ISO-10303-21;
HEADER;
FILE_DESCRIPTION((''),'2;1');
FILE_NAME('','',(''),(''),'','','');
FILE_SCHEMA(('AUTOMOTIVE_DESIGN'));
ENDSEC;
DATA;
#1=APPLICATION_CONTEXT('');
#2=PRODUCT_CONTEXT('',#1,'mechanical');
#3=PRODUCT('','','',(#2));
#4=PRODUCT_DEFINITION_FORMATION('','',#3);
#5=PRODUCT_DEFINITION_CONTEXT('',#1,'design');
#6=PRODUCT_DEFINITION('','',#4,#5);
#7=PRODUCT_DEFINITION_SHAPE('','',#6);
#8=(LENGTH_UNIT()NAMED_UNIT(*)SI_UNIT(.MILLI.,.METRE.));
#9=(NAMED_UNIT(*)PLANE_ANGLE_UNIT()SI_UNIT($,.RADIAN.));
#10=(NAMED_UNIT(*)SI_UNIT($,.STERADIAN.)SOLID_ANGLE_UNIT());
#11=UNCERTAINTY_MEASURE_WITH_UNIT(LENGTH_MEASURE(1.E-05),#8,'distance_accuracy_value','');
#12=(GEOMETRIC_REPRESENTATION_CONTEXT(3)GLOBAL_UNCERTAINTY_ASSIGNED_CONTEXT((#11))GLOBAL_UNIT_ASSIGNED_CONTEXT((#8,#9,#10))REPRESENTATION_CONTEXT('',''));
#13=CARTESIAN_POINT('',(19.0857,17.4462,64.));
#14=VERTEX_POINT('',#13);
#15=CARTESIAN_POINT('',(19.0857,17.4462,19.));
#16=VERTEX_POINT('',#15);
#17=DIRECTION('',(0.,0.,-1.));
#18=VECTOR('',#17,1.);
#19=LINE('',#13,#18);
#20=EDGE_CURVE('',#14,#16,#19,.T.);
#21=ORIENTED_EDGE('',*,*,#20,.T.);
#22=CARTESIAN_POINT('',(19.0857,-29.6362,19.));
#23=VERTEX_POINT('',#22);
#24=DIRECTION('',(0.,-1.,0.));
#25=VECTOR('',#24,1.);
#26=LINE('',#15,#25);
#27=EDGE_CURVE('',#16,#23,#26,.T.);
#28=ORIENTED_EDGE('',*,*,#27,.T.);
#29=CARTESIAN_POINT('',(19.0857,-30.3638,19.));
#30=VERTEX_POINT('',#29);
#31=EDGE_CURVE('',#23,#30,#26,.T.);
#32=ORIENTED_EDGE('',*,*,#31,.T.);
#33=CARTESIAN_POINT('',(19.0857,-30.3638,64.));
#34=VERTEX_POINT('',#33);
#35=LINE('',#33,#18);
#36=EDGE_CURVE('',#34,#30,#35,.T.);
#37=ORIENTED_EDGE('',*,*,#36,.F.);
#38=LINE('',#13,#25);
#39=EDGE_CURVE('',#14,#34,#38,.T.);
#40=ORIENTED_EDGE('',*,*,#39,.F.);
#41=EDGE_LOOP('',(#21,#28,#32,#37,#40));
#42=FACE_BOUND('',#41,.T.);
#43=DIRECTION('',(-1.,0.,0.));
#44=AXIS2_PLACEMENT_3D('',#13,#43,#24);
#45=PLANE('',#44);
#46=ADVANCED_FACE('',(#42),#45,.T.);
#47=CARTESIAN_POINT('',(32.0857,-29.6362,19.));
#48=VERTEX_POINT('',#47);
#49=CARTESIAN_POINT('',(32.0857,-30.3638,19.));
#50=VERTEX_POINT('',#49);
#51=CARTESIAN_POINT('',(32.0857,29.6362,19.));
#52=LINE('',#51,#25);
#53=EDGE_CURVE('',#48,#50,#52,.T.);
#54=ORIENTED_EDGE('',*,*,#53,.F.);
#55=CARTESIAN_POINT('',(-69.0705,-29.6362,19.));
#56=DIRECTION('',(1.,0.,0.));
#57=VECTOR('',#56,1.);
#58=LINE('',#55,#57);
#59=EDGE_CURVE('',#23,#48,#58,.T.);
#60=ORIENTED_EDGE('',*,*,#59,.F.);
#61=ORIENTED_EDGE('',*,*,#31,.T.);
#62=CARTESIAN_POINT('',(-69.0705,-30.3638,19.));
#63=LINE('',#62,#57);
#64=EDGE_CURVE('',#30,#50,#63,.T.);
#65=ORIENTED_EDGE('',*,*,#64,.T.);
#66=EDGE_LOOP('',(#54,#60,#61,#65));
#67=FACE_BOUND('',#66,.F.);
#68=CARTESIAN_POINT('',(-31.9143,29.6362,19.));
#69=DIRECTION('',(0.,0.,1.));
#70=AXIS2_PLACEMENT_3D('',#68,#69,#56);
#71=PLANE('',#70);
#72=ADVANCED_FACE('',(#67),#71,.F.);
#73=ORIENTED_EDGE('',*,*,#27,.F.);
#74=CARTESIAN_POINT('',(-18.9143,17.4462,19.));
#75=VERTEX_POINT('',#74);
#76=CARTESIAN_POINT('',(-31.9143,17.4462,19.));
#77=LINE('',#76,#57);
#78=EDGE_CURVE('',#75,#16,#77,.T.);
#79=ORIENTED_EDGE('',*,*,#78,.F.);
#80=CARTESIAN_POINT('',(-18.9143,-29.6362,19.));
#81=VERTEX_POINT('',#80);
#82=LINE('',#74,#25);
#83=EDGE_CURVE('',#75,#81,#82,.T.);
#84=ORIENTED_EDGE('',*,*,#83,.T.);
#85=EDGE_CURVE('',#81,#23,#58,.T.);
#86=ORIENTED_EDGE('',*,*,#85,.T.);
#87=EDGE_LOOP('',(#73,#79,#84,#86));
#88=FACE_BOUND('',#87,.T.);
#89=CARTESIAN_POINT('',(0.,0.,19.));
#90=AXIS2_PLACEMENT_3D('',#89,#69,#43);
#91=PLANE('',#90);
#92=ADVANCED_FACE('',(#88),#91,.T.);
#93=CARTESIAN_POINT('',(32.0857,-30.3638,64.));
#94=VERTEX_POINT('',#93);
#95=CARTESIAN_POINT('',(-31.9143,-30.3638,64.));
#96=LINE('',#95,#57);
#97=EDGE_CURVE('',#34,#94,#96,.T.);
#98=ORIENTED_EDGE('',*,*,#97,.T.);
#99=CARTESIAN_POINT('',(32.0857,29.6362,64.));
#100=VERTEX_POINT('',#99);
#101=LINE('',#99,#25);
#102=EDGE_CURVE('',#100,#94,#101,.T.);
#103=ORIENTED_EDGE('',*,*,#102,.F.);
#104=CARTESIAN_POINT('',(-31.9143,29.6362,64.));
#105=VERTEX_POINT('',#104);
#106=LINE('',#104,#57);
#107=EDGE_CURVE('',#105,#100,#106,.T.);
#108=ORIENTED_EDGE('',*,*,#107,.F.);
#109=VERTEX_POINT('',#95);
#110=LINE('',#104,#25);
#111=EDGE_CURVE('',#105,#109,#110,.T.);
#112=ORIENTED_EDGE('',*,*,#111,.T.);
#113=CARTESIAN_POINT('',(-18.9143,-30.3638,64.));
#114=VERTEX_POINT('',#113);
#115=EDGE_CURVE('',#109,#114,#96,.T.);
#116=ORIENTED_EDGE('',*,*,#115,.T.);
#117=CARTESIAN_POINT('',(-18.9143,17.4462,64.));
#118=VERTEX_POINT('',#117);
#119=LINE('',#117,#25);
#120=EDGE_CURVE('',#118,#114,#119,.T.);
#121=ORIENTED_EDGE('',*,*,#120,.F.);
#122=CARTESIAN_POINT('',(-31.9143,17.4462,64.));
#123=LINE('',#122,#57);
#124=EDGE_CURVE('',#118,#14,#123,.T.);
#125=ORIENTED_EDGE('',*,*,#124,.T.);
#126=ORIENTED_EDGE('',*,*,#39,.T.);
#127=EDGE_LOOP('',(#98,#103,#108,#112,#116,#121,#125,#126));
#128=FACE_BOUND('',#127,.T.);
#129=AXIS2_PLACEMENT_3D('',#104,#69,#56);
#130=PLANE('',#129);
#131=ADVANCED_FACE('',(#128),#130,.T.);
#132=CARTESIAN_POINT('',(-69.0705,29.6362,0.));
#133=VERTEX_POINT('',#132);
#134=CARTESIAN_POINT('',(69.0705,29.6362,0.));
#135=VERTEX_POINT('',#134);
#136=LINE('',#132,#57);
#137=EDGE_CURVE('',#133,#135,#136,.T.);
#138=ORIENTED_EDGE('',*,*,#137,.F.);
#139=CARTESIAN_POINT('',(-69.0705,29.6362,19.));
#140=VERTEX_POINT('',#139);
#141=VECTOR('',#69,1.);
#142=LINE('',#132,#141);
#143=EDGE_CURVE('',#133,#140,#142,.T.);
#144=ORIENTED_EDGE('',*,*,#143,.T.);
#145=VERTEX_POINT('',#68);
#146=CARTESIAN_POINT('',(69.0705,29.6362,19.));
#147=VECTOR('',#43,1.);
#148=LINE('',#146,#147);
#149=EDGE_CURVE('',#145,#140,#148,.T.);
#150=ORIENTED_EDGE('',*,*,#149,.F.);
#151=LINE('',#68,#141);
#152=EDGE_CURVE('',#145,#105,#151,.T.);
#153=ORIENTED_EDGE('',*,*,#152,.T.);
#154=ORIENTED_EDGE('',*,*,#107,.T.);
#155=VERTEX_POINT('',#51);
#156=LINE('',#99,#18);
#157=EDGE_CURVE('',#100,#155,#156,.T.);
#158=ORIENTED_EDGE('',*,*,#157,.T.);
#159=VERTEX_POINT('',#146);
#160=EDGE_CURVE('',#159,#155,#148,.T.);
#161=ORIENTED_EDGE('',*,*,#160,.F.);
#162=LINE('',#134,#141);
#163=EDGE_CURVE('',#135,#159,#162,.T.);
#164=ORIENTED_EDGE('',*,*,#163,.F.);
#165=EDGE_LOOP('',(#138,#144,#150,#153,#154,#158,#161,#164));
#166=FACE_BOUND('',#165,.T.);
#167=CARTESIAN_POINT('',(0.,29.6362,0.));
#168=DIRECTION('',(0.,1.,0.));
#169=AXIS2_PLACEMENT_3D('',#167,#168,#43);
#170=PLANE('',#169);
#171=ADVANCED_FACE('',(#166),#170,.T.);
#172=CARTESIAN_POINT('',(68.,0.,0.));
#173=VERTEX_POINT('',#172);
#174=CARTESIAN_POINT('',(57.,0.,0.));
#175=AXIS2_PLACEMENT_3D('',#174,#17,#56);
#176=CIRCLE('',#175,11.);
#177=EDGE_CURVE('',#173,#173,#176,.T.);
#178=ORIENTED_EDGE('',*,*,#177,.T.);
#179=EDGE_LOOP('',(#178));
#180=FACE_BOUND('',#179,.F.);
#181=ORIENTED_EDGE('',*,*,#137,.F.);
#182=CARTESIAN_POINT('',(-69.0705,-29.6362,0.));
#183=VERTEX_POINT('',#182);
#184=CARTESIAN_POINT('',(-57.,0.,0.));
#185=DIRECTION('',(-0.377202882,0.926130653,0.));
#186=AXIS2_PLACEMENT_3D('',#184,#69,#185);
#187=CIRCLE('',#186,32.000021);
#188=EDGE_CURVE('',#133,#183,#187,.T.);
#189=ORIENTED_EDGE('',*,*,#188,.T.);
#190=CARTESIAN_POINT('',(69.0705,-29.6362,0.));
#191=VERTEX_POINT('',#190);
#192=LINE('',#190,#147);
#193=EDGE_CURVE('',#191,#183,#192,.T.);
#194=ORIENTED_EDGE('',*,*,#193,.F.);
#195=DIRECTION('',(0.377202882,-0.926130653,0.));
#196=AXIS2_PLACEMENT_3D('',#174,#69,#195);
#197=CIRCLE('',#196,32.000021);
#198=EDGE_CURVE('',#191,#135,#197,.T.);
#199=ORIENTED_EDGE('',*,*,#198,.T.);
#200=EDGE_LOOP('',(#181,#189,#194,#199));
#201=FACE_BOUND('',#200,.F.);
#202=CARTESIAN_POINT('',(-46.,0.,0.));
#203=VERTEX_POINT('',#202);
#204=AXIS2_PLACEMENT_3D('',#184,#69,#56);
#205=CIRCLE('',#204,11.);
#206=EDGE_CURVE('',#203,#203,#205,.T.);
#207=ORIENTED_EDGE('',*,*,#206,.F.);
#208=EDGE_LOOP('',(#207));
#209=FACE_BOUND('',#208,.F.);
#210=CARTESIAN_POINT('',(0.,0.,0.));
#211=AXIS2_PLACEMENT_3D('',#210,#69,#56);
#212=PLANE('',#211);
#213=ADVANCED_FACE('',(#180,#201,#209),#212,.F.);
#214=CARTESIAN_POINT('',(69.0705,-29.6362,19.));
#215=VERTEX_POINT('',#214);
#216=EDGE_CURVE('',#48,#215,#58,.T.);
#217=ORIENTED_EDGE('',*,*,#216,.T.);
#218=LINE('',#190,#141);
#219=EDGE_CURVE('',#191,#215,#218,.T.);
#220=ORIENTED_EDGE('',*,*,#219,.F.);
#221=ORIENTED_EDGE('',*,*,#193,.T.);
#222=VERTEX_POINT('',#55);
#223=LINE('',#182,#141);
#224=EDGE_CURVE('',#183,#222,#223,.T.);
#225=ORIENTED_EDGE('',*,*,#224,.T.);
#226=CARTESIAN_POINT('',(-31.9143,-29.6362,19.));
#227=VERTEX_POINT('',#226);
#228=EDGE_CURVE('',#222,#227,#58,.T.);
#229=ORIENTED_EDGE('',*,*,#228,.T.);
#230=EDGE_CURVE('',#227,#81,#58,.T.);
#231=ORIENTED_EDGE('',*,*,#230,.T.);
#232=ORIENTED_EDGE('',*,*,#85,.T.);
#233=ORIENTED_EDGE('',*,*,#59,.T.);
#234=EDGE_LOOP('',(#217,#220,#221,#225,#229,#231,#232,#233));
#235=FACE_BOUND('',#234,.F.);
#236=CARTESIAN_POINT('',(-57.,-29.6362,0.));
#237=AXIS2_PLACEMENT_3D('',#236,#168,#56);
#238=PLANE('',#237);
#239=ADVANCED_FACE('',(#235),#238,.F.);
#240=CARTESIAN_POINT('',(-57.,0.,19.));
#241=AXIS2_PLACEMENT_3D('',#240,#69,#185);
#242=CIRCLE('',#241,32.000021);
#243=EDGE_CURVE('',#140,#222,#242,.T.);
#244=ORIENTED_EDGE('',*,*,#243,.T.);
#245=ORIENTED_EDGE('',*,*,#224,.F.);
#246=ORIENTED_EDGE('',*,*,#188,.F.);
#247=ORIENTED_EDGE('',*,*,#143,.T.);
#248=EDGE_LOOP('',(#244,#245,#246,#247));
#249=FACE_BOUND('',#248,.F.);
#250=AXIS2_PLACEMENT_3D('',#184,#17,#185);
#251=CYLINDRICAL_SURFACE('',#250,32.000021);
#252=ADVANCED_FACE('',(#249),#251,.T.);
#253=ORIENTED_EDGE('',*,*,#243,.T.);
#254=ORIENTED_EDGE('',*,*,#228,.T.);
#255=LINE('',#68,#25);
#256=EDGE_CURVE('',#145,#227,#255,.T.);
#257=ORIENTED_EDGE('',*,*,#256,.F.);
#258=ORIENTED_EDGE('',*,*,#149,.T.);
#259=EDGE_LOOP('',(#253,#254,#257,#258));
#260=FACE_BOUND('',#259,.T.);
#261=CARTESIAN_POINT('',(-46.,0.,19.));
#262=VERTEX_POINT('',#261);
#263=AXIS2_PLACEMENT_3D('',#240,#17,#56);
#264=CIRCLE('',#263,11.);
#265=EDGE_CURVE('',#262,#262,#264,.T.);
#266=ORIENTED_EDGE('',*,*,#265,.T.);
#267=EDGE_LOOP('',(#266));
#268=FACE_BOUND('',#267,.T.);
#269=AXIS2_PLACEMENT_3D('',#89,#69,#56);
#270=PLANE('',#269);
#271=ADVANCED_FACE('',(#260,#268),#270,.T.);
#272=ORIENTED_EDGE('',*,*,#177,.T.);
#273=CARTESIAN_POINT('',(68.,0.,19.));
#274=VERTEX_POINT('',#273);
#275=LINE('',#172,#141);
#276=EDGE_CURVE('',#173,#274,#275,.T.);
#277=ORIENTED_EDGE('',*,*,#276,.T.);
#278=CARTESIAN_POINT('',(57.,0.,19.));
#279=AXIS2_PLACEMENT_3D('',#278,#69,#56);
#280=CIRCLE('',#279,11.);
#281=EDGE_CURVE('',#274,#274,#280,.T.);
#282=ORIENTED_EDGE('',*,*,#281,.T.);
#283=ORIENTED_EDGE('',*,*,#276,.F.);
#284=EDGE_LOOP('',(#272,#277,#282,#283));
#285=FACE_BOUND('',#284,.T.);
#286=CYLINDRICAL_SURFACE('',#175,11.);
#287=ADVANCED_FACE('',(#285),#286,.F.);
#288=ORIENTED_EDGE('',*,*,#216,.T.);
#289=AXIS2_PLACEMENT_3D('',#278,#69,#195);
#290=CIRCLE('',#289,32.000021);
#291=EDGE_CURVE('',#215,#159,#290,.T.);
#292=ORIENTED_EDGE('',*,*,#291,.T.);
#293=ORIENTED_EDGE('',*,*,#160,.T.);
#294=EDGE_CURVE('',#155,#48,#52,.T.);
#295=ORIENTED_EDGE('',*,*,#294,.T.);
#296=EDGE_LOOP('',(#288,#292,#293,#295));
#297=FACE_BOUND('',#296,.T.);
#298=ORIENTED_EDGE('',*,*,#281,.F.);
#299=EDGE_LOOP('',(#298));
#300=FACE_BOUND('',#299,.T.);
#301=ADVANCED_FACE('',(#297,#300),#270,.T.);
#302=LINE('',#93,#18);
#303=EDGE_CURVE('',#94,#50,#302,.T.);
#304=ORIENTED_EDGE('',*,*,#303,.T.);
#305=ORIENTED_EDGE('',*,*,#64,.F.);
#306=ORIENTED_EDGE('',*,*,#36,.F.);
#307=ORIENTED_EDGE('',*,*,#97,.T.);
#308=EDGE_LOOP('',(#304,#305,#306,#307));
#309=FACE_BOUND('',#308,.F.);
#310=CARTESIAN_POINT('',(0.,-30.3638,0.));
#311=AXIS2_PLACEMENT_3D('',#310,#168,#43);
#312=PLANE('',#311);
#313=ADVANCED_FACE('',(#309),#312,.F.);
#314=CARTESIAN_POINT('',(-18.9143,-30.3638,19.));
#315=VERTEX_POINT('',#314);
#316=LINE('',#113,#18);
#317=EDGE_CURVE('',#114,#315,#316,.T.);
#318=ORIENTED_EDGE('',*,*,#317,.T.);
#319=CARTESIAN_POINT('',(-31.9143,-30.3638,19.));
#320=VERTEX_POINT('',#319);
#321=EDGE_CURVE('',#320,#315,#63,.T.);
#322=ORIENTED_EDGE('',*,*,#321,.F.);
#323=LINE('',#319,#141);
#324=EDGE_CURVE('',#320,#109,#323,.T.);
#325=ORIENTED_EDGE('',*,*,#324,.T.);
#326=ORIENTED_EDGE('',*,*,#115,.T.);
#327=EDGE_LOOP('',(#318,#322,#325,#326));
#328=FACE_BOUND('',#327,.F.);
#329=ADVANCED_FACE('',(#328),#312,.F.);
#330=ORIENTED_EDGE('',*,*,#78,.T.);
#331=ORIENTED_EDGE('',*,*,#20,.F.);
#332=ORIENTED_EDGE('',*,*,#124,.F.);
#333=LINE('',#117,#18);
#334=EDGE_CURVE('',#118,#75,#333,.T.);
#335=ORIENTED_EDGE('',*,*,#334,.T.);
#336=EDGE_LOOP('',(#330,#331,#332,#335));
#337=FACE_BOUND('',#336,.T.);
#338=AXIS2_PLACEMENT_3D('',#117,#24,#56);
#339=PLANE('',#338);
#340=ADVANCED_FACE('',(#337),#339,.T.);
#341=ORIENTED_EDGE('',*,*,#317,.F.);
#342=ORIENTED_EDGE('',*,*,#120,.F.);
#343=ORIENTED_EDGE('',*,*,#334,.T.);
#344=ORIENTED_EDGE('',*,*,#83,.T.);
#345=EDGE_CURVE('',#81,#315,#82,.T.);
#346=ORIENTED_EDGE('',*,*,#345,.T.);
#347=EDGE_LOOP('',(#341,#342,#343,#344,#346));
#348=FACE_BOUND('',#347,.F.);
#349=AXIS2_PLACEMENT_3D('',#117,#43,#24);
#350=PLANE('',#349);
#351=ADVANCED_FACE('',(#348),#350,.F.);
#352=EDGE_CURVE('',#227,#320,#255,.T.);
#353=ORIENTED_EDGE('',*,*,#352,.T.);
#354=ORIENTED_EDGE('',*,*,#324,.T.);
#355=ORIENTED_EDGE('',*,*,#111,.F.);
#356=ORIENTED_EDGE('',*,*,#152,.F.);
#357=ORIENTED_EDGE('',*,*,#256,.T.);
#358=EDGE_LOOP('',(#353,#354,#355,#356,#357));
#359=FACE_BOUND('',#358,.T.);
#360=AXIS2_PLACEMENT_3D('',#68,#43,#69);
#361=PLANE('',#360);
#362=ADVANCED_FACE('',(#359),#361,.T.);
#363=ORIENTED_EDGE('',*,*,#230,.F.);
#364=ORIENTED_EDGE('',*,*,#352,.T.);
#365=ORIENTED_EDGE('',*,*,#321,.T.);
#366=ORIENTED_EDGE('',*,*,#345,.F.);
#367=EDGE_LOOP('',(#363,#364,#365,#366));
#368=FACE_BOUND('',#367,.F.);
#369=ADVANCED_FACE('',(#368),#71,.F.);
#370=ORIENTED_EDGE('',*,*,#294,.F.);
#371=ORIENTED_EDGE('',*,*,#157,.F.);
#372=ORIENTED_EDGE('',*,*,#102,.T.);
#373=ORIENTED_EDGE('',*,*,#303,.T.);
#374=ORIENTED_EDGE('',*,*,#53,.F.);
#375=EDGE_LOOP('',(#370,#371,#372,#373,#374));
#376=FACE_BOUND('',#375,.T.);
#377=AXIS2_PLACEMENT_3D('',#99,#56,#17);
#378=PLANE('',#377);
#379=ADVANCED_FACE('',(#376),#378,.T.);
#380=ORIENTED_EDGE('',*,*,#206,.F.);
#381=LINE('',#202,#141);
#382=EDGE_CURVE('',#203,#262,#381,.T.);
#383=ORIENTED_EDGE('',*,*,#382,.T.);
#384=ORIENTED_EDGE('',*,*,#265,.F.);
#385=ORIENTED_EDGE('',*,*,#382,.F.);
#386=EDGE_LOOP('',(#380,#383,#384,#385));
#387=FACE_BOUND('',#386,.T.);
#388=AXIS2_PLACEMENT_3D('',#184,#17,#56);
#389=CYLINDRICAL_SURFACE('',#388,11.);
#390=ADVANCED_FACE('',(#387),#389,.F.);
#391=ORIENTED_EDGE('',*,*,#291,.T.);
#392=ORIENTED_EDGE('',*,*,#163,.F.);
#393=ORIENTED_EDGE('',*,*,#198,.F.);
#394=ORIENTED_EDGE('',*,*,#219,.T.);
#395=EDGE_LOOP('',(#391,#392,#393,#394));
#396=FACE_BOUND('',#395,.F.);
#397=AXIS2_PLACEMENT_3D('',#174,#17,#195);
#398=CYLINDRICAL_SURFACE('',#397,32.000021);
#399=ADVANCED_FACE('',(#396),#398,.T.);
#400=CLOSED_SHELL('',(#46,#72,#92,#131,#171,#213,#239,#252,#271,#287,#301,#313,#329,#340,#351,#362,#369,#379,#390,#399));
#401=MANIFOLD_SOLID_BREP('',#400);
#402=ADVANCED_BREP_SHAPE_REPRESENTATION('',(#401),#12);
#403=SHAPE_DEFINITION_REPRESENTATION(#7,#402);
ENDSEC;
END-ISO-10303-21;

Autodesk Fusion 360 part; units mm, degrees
sketch "Sketch2" plane through (0, 0, 0) normal (0, 0, 1) x (1, 0, 0)
  line L0 (57, 29.6362) -> (-57, 29.6362)
  line L1 (-57, 29.6362) -> (-57, -29.6362)
  line L2 (-57, -29.6362) -> (57, -29.6362)
  line L3 (57, -29.6362) -> (57, 29.6362)
  line L4 (57, 29.6362) -> (-57, -29.6362) construction
  line L5 (-57, 29.6362) -> (57, -29.6362) construction
  circle A0 centre (57, 0) radius 11
  circle A1 centre (-57, 0) radius 11
  line L6 (57, 29.6362) -> (69.0705, 29.6362)
  line L7 (57, -29.6362) -> (69.0705, -29.6362)
  line L8 (69.0705, 29.6362) -> (69.0705, -29.6362)
  line L9 (-57, -29.6362) -> (-69.0705, -29.6362)
  line L10 (-57, 29.6362) -> (-69.0705, 29.6362)
  line L11 (-69.0705, 29.6362) -> (-69.0705, -29.6362)
  arc A2 (-69.0705, 29.6362) -> (-69.0705, -29.6362) centre (-57, 0) ccw
  arc A3 (69.0705, -29.6362) -> (69.0705, 29.6362) centre (57, 0) ccw
  dimension "d1" = 114
  dimension "d2" = 59.2723
  dimension "d3" = 22
  dimension "d4" = 22
  dimension "d5" = 64
  dimension "d6" = 64
extrude "Extrude1" add sketch "Sketch2" along normal blind 19 contours L0 L1 L2 L3 A0 A1 | L3 A0 L6 L7 L8 | L1 A1 L9 L10 L11 | L8 A3 | L11 A2
sketch "Sketch3" plane through (0, 0, 19) normal (0, 0, 1) x (-1, 0, 0)
  circle A0 centre (57, 0) radius 11
  circle A1 centre (-57, 0) radius 11
  line L0 (69.0705, 29.6362) -> (-69.0705, 29.6362)
  arc A2 (-69.0705, 29.6362) -> (-69.0705, -29.6362) centre (-57, 0) ccw
  line L1 (-69.0705, -29.6362) -> (69.0705, -29.6362)
  arc A3 (69.0705, -29.6362) -> (69.0705, 29.6362) centre (57, 0) ccw
  line L2 (32, -29.6362) -> (32, 29.6362) construction
  line L3 (-32, -29.6362) -> (-32, 29.6362) construction
  dimension "d9" = 64
  dimension "d10" = 25
sketch "Sketch4" plane through (0, 29.6362, 0) normal (0, 1, 0) x (-1, 0, 0)
  line L0 (-69.0705, 0) -> (69.0705, 0)
  line L1 (69.0705, 0) -> (69.0705, 19)
  line L2 (69.0705, 19) -> (-69.0705, 19)
  line L3 (-69.0705, 19) -> (-69.0705, 0)
  line L4 (-32.0857, 19) -> (31.9143, 19)
  line L5 (31.9143, 19) -> (31.9143, 64)
  line L6 (31.9143, 64) -> (-32.0857, 64)
  line L7 (-32.0857, 64) -> (-32.0857, 19)
  dimension "d11" = 64
  dimension "d12" = 45
extrude "Extrude2" add sketch "Sketch4" against normal blind 60 contours L2 L4 L5 L6 L7
sketch "Sketch5" plane through (0, 0, 64) normal (0, 0, 1) x (-1, 0, 0)
  line L0 (-32.0857, -29.6362) -> (31.9143, -29.6362)
  line L1 (31.9143, -29.6362) -> (31.9143, 30.3638)
  line L2 (31.9143, 30.3638) -> (-32.0857, 30.3638)
  line L3 (-32.0857, 30.3638) -> (-32.0857, -29.6362)
  line L4 (31.9143, -17.4462) -> (-32.0857, -17.4462)
  line L5 (18.9143, -17.4462) -> (18.9143, 30.3638)
  line L6 (-19.0857, -17.4462) -> (-19.0857, 30.3638)
  dimension "d15" = 12.19
  dimension "d16" = 38
  dimension "d17" = 13
extrude "Extrude3" cut sketch "Sketch5" against normal blind 45 contours L2 L4 L5 L6
equation "d12 = 64 mm - 19 mm"
